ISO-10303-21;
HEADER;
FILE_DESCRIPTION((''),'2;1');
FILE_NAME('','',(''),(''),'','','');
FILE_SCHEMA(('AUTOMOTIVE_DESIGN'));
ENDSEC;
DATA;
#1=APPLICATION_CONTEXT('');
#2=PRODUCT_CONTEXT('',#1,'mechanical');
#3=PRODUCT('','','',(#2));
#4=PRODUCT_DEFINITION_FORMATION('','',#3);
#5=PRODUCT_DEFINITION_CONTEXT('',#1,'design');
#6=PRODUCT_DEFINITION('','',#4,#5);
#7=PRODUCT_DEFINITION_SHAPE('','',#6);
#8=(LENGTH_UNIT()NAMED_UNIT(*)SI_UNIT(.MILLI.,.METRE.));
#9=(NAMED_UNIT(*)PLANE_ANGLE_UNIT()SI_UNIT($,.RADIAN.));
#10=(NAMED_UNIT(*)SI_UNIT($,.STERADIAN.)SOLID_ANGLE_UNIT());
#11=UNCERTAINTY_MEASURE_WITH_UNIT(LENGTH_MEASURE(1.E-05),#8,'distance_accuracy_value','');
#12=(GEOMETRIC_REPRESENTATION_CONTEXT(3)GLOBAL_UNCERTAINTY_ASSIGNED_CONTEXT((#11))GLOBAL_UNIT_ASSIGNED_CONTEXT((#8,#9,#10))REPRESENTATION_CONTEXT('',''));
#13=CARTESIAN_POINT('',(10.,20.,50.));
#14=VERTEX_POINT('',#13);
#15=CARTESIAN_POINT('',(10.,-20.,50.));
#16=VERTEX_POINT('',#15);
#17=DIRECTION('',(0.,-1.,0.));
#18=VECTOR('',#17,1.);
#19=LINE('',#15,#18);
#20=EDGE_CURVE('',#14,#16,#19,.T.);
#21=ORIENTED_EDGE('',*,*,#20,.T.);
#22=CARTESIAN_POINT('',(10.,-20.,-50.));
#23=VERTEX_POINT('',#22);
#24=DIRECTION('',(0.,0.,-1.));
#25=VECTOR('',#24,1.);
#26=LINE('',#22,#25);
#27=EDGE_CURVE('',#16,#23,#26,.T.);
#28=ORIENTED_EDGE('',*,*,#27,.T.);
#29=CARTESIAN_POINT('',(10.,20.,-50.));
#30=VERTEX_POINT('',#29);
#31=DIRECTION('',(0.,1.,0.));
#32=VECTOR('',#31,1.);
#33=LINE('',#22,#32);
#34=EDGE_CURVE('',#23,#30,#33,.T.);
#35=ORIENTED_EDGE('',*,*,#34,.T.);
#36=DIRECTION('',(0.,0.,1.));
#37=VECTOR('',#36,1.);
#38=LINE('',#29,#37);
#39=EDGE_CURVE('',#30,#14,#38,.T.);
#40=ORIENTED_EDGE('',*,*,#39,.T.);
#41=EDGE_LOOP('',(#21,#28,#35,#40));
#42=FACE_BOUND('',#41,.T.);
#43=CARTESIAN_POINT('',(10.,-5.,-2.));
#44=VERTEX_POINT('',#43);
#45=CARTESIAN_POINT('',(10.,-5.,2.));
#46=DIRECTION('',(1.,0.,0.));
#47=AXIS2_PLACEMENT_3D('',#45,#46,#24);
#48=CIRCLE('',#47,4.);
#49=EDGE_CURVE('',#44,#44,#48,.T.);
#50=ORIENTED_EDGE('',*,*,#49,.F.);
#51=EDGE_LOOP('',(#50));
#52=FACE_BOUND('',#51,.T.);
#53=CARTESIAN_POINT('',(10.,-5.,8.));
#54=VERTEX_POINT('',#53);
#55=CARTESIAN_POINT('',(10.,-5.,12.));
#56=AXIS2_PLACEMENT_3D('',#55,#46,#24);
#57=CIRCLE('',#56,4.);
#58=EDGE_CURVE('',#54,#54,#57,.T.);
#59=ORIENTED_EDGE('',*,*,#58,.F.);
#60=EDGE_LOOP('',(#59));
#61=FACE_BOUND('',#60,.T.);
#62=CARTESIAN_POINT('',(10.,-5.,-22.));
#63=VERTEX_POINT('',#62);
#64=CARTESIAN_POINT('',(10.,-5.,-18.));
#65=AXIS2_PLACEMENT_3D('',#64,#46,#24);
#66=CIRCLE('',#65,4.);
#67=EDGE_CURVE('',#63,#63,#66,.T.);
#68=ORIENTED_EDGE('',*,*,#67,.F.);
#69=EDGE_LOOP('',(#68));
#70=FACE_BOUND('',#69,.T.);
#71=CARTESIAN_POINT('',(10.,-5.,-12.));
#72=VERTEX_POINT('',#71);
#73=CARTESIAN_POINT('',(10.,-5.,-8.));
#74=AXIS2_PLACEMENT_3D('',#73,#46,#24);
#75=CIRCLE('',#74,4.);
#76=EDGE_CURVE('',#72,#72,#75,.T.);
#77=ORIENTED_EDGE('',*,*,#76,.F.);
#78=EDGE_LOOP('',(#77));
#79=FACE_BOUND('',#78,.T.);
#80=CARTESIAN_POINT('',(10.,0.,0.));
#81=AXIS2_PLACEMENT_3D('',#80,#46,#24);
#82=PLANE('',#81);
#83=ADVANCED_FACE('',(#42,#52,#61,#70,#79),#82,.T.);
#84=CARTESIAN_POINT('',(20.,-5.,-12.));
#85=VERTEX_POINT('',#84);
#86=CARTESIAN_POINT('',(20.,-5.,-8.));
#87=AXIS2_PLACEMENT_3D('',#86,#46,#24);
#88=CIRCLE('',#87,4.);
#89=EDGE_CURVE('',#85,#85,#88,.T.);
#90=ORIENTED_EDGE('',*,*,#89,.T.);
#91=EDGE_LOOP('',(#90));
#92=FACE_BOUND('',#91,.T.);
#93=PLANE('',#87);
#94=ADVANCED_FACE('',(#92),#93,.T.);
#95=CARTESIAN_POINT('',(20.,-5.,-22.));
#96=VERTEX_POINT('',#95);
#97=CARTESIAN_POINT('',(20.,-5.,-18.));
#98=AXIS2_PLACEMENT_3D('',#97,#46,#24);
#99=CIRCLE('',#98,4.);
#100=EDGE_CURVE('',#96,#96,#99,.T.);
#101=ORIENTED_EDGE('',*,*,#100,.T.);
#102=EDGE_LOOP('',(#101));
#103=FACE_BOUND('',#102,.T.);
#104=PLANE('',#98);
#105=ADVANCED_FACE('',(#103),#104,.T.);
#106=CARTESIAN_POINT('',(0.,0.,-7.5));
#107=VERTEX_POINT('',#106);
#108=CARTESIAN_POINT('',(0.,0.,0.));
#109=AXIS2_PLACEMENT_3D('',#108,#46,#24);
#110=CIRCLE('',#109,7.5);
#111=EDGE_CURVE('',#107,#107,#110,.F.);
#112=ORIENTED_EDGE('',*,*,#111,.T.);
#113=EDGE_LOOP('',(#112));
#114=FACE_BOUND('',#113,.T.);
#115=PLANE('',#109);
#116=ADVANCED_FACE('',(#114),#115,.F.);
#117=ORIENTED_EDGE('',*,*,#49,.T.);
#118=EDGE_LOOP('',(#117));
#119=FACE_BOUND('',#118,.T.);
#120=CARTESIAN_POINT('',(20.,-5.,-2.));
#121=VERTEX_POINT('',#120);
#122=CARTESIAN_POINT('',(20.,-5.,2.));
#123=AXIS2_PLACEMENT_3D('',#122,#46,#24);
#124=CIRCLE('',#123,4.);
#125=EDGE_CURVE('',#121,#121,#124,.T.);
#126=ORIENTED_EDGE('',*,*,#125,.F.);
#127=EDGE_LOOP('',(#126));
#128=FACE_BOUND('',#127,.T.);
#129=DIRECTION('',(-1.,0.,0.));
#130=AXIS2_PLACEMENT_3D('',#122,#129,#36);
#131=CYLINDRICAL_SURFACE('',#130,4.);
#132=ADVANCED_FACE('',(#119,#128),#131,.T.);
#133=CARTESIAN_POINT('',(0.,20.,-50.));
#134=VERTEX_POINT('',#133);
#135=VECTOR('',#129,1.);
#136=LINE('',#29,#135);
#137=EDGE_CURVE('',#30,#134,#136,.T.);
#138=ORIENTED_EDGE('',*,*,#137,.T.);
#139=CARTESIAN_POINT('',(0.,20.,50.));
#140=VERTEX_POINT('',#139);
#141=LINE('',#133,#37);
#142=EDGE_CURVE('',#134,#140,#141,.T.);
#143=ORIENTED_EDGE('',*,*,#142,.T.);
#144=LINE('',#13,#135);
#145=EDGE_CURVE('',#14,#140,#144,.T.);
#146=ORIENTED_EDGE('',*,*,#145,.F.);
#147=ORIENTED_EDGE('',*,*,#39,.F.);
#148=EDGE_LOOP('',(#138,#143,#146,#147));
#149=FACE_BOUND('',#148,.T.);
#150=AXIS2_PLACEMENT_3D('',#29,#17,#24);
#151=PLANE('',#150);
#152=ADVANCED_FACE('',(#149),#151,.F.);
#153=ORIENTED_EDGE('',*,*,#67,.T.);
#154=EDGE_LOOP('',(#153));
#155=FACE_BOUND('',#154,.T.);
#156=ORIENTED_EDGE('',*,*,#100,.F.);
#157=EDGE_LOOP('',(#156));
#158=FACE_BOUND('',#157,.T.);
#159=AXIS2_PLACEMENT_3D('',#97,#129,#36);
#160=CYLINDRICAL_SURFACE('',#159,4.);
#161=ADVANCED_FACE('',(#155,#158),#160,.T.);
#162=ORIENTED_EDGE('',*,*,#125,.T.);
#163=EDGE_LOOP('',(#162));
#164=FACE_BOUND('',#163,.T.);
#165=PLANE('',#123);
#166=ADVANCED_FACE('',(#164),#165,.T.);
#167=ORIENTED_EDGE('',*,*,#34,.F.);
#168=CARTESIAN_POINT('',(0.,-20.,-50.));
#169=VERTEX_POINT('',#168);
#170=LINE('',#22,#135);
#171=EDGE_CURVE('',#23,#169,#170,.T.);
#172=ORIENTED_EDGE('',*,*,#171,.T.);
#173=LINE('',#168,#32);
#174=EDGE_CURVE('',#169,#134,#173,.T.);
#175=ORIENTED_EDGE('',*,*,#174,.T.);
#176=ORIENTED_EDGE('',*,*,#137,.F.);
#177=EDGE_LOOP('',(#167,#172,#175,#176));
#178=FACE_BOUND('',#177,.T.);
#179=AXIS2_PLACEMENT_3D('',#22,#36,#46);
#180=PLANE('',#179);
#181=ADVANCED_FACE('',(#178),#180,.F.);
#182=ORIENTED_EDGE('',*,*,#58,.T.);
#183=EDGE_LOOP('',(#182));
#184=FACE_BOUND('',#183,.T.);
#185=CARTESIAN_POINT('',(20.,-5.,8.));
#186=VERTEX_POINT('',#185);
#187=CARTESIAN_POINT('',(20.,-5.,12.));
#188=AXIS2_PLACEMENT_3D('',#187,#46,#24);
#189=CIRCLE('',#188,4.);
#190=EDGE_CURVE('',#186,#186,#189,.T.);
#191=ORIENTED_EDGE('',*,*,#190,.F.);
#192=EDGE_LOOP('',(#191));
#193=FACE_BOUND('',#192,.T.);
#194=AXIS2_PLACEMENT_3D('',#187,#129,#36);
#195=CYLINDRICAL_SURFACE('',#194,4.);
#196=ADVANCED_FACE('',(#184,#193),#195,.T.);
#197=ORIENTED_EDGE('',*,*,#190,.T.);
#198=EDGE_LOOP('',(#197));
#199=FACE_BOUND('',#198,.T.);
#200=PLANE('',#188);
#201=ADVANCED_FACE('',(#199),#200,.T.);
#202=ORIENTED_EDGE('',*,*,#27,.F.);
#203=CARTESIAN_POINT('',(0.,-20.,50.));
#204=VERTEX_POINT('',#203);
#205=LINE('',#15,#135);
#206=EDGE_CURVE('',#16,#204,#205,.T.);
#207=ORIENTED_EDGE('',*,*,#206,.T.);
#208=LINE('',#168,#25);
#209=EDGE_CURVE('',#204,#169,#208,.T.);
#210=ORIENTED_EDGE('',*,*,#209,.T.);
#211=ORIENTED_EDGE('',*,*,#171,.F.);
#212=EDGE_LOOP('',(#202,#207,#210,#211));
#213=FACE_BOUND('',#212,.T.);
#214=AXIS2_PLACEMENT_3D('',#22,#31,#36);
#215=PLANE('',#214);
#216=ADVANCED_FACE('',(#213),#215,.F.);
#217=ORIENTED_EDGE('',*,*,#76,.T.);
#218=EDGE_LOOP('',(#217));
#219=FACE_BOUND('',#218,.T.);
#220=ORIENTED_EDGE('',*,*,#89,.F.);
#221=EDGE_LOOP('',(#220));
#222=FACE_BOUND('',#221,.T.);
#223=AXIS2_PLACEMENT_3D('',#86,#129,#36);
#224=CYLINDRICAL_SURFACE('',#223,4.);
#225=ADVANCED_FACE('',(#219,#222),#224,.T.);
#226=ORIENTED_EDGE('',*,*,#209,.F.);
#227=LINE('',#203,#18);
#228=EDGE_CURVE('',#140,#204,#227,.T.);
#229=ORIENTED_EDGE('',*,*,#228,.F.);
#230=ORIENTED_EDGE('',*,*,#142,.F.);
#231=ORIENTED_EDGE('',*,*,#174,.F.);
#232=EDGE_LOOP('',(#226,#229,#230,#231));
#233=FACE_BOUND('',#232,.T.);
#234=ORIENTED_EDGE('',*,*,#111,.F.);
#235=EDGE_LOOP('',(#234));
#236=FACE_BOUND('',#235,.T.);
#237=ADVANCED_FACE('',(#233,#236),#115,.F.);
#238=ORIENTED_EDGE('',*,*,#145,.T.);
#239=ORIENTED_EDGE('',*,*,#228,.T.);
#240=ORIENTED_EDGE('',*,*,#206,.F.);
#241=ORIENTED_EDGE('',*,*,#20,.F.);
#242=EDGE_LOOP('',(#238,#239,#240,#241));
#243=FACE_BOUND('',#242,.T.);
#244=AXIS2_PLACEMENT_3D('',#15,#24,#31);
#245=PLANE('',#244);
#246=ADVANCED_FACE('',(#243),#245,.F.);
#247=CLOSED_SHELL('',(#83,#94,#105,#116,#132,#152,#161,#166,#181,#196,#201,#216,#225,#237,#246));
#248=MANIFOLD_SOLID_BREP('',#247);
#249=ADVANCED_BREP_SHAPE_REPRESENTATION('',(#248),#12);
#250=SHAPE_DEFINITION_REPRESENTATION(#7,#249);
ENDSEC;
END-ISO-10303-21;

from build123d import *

# Parameters (mm, degrees)
SKETCH1_W           = 100
SKETCH1_H           = 40
BOSS_EXTRUDE1_DEPTH = 10
SKETCH2_R           = 4
BOSS_EXTRUDE2_DEPTH = 10


with BuildPart() as part:
    # Sketch1 → Boss-Extrude1 (new body)
    with BuildSketch(Plane(origin=(0, 0, 0), x_dir=(0, 0, -1), z_dir=(1, 0, 0))):
        Rectangle(SKETCH1_W, SKETCH1_H)
    extrude(amount=BOSS_EXTRUDE1_DEPTH)

    # Sketch2 → Boss-Extrude2 (add)
    with BuildSketch(Plane(origin=(10, 0, 0), x_dir=(0, 0, -1), z_dir=(1, 0, 0))):
        with Locations((18, -5)):
            Circle(SKETCH2_R)
        with Locations((8, -5)):
            Circle(SKETCH2_R)
        with Locations((-2, -5)):
            Circle(SKETCH2_R)
        with Locations((-12, -5)):
            Circle(SKETCH2_R)
    extrude(amount=BOSS_EXTRUDE2_DEPTH)


solid = part.part
